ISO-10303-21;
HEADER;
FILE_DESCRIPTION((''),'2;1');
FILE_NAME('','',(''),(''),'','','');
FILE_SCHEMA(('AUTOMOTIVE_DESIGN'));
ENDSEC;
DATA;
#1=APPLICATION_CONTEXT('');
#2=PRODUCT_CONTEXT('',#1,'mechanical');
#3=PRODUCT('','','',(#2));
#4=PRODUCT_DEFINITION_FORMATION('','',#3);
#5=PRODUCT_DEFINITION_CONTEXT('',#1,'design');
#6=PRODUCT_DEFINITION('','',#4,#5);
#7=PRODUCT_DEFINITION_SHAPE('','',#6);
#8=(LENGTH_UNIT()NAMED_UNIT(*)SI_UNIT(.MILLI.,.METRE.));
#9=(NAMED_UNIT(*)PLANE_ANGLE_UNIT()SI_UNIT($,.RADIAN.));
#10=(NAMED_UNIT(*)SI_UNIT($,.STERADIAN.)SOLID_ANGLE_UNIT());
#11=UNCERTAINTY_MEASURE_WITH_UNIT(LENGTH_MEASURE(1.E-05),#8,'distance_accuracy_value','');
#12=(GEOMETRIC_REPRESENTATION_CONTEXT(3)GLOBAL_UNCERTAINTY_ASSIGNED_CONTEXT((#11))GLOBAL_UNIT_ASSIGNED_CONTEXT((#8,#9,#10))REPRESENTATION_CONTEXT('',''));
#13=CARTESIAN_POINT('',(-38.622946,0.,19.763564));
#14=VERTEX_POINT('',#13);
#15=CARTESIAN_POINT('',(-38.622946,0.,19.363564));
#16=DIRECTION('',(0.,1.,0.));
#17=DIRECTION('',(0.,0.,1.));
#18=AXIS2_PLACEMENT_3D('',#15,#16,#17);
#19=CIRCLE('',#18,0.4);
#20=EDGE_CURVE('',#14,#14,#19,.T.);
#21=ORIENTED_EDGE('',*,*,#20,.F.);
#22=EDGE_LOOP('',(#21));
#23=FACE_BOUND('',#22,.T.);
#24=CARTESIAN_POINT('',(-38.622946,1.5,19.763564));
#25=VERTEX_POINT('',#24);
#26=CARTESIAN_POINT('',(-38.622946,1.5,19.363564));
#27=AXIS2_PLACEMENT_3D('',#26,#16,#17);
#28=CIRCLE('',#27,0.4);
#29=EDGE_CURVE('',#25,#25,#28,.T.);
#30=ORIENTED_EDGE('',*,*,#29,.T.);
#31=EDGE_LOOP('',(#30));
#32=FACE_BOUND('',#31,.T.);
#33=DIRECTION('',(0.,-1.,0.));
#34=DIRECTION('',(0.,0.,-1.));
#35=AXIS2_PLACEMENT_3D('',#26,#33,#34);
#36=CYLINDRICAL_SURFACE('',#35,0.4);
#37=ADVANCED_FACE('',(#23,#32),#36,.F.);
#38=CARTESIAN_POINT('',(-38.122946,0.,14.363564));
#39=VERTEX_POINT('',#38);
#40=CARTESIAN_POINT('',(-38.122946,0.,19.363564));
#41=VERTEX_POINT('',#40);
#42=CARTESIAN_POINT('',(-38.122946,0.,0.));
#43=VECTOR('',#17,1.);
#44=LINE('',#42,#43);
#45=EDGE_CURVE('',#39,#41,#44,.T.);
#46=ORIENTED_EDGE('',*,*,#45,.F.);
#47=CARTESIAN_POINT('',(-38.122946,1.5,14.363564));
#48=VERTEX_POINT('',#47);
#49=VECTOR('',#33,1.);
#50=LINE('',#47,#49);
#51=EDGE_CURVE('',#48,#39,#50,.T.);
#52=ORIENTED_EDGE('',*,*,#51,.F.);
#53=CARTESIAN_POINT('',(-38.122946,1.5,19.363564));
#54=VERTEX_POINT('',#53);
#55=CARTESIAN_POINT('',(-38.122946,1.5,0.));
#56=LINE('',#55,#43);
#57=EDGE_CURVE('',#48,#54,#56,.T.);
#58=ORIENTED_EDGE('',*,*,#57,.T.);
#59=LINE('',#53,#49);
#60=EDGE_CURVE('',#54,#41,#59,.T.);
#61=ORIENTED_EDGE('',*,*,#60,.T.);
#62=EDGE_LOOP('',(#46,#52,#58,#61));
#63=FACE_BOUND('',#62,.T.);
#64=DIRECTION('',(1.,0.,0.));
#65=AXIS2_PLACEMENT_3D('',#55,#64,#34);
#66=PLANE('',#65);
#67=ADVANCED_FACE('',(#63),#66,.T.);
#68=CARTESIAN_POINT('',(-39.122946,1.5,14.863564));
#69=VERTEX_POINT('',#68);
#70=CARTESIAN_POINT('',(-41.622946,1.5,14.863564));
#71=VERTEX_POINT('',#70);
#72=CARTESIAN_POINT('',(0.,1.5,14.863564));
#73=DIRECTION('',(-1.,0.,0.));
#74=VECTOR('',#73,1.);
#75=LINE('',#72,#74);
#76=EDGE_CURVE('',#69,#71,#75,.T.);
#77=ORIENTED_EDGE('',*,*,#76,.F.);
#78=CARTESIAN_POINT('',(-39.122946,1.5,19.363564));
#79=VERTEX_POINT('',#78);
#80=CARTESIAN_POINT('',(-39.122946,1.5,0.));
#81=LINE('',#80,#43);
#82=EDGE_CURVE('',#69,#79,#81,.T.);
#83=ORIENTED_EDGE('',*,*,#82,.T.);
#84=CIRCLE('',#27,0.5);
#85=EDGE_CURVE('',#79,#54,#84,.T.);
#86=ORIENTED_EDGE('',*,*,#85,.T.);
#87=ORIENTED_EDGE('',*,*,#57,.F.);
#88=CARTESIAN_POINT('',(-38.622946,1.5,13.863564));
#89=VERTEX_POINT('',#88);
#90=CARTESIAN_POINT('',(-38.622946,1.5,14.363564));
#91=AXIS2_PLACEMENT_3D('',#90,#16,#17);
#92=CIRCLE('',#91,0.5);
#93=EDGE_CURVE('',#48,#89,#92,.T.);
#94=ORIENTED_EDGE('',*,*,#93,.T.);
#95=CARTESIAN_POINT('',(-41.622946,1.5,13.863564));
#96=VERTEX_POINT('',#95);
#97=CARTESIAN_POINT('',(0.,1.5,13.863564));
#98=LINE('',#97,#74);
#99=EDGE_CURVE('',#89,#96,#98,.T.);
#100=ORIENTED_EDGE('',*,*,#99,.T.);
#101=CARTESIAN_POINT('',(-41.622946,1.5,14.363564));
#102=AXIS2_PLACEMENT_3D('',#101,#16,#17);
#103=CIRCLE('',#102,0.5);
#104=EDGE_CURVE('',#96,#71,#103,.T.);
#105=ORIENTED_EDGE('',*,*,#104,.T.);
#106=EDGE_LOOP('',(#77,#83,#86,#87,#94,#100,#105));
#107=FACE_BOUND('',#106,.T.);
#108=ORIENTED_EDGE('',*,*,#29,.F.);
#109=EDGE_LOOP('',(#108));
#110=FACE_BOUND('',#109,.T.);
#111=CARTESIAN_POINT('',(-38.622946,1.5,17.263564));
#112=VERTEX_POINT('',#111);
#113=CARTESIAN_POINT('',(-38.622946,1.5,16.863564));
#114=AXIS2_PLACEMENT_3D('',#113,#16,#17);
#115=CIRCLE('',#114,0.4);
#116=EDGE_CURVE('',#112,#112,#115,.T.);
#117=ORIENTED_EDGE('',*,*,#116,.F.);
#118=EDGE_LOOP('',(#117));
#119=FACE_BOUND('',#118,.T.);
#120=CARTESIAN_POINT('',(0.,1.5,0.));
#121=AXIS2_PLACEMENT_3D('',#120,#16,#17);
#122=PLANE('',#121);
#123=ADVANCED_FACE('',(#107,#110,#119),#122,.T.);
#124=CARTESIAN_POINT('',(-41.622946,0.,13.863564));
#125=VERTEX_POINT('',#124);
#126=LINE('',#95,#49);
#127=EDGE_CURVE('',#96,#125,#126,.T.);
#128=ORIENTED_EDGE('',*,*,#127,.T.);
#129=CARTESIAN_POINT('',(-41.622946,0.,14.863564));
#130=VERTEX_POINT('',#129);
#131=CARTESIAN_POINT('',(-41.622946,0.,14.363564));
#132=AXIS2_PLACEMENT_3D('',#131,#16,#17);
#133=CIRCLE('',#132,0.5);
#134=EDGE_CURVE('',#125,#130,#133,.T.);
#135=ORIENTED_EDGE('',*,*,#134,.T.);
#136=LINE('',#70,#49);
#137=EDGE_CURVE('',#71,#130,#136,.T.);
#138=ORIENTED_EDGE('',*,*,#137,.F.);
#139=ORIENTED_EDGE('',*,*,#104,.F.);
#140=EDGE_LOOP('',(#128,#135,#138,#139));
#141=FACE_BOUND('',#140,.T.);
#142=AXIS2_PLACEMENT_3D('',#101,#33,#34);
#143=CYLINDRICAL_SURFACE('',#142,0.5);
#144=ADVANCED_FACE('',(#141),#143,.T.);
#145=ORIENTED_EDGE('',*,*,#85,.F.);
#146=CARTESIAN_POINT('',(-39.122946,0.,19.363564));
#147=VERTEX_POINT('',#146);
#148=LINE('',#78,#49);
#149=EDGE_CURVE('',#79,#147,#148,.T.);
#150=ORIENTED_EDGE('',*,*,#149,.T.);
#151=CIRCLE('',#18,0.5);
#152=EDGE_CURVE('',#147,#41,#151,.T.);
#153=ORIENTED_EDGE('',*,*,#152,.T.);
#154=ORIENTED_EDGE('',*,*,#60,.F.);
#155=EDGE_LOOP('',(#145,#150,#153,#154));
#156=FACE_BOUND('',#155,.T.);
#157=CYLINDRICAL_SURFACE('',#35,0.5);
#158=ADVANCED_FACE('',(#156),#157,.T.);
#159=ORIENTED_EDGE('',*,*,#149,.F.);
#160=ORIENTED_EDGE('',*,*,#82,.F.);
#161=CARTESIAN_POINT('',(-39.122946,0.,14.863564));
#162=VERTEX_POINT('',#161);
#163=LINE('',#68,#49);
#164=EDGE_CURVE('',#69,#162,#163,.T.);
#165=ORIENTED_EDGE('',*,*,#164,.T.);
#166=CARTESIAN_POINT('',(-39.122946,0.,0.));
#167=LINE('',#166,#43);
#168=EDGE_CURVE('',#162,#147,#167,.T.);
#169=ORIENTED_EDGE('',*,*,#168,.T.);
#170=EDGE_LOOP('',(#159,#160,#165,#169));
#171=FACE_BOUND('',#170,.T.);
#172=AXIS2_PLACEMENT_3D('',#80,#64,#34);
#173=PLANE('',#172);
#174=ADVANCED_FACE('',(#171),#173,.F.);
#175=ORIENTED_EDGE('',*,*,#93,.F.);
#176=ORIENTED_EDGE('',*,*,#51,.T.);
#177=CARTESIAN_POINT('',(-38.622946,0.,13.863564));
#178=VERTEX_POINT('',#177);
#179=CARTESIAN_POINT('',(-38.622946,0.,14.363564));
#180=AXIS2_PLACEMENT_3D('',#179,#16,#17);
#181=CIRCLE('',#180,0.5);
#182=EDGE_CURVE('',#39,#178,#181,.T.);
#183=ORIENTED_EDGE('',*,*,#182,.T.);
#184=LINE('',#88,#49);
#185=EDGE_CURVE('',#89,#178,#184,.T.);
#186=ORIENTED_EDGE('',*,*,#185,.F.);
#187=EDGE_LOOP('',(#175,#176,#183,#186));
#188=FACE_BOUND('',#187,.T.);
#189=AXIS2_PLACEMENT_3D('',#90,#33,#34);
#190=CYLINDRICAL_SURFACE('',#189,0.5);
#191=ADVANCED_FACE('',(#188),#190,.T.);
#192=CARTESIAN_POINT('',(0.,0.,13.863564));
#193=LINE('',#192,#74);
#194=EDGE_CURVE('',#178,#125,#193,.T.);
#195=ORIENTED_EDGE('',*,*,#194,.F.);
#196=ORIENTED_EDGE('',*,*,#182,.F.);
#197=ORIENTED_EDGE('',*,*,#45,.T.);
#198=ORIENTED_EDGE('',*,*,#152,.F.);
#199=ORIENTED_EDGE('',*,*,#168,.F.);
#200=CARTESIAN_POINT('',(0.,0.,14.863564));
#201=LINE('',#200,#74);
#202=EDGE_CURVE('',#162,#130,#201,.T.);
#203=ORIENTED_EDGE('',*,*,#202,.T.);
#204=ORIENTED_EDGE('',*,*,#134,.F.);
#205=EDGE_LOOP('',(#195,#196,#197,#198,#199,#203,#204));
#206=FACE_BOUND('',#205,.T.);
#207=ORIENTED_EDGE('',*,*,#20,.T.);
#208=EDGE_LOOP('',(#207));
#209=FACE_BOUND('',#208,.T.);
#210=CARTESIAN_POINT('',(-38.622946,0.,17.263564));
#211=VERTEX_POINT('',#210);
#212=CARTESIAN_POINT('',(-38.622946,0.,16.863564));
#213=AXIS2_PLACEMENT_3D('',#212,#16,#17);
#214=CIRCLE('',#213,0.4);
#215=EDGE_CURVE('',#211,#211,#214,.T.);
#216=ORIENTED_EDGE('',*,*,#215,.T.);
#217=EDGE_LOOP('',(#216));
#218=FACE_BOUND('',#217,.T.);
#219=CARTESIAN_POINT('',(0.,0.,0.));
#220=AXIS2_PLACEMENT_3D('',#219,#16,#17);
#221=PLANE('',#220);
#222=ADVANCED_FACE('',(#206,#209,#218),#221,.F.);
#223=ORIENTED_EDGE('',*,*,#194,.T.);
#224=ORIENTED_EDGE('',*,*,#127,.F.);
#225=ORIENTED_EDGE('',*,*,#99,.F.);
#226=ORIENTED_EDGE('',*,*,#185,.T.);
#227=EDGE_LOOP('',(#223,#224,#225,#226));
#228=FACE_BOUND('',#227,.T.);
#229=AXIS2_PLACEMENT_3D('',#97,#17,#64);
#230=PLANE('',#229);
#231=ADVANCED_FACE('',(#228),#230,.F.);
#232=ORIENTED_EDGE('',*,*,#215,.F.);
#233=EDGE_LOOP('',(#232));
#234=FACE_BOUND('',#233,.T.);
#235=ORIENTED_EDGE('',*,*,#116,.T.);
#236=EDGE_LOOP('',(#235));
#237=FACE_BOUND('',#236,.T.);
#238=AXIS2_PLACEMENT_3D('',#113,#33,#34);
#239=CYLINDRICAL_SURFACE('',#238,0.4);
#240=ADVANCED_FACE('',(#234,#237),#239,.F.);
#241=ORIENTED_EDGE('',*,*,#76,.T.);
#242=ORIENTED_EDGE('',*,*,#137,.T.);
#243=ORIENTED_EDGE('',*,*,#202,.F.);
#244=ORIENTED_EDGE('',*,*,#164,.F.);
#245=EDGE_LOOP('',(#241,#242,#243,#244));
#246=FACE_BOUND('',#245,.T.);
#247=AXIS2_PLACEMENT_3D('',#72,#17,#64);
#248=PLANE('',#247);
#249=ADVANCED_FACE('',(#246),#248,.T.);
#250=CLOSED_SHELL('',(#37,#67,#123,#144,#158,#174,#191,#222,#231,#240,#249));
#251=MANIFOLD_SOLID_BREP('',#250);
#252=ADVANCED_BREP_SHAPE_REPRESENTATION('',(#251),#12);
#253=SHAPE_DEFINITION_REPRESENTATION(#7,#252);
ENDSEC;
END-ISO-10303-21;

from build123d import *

# Parameters (mm, degrees)
SKETCH1_R           = 0.4
BOSS_EXTRUDE1_DEPTH = 1.5


with BuildPart() as part:
    # Sketch1 → Boss-Extrude1 (new body)
    with BuildSketch(Plane(origin=(0, 0, 0), x_dir=(1, 0, 0), z_dir=(0, 1, 0))):
        with BuildLine():
            Line((-38.122946219, -19.363563947), (-38.122946219, -14.363563947))
            ThreePointArc((-38.122946219, -14.363563947), (-38.269392829, -14.010010556), (-38.622946219, -13.863563947))
            Line((-38.622946219, -13.863563947), (-41.622946219, -13.863563947))
            ThreePointArc((-41.622946219, -13.863563947), (-42.122946219, -14.363563947), (-41.622946219, -14.863563947))
            Line((-41.622946219, -14.863563947), (-39.122946219, -14.863563947))
            Line((-39.122946219, -14.863563947), (-39.122946219, -19.363563947))
            ThreePointArc((-39.122946219, -19.363563947), (-38.622946219, -19.863563947), (-38.122946219, -19.363563947))
        make_face()
        with Locations(Location((-38.622946219, -19.363563947, 0), (0, 0, 270))):
            Circle(SKETCH1_R, mode=Mode.SUBTRACT)
        with BuildLine():
            ThreePointArc((-38.622946219, -17.263563947), (-39.022946219, -16.863563947), (-38.622946219, -16.463563947))
            ThreePointArc((-38.622946219, -16.463563947), (-38.222946219, -16.863563947), (-38.622946219, -17.263563947))
        make_face(mode=Mode.SUBTRACT)
    extrude(amount=BOSS_EXTRUDE1_DEPTH)


solid = part.part
